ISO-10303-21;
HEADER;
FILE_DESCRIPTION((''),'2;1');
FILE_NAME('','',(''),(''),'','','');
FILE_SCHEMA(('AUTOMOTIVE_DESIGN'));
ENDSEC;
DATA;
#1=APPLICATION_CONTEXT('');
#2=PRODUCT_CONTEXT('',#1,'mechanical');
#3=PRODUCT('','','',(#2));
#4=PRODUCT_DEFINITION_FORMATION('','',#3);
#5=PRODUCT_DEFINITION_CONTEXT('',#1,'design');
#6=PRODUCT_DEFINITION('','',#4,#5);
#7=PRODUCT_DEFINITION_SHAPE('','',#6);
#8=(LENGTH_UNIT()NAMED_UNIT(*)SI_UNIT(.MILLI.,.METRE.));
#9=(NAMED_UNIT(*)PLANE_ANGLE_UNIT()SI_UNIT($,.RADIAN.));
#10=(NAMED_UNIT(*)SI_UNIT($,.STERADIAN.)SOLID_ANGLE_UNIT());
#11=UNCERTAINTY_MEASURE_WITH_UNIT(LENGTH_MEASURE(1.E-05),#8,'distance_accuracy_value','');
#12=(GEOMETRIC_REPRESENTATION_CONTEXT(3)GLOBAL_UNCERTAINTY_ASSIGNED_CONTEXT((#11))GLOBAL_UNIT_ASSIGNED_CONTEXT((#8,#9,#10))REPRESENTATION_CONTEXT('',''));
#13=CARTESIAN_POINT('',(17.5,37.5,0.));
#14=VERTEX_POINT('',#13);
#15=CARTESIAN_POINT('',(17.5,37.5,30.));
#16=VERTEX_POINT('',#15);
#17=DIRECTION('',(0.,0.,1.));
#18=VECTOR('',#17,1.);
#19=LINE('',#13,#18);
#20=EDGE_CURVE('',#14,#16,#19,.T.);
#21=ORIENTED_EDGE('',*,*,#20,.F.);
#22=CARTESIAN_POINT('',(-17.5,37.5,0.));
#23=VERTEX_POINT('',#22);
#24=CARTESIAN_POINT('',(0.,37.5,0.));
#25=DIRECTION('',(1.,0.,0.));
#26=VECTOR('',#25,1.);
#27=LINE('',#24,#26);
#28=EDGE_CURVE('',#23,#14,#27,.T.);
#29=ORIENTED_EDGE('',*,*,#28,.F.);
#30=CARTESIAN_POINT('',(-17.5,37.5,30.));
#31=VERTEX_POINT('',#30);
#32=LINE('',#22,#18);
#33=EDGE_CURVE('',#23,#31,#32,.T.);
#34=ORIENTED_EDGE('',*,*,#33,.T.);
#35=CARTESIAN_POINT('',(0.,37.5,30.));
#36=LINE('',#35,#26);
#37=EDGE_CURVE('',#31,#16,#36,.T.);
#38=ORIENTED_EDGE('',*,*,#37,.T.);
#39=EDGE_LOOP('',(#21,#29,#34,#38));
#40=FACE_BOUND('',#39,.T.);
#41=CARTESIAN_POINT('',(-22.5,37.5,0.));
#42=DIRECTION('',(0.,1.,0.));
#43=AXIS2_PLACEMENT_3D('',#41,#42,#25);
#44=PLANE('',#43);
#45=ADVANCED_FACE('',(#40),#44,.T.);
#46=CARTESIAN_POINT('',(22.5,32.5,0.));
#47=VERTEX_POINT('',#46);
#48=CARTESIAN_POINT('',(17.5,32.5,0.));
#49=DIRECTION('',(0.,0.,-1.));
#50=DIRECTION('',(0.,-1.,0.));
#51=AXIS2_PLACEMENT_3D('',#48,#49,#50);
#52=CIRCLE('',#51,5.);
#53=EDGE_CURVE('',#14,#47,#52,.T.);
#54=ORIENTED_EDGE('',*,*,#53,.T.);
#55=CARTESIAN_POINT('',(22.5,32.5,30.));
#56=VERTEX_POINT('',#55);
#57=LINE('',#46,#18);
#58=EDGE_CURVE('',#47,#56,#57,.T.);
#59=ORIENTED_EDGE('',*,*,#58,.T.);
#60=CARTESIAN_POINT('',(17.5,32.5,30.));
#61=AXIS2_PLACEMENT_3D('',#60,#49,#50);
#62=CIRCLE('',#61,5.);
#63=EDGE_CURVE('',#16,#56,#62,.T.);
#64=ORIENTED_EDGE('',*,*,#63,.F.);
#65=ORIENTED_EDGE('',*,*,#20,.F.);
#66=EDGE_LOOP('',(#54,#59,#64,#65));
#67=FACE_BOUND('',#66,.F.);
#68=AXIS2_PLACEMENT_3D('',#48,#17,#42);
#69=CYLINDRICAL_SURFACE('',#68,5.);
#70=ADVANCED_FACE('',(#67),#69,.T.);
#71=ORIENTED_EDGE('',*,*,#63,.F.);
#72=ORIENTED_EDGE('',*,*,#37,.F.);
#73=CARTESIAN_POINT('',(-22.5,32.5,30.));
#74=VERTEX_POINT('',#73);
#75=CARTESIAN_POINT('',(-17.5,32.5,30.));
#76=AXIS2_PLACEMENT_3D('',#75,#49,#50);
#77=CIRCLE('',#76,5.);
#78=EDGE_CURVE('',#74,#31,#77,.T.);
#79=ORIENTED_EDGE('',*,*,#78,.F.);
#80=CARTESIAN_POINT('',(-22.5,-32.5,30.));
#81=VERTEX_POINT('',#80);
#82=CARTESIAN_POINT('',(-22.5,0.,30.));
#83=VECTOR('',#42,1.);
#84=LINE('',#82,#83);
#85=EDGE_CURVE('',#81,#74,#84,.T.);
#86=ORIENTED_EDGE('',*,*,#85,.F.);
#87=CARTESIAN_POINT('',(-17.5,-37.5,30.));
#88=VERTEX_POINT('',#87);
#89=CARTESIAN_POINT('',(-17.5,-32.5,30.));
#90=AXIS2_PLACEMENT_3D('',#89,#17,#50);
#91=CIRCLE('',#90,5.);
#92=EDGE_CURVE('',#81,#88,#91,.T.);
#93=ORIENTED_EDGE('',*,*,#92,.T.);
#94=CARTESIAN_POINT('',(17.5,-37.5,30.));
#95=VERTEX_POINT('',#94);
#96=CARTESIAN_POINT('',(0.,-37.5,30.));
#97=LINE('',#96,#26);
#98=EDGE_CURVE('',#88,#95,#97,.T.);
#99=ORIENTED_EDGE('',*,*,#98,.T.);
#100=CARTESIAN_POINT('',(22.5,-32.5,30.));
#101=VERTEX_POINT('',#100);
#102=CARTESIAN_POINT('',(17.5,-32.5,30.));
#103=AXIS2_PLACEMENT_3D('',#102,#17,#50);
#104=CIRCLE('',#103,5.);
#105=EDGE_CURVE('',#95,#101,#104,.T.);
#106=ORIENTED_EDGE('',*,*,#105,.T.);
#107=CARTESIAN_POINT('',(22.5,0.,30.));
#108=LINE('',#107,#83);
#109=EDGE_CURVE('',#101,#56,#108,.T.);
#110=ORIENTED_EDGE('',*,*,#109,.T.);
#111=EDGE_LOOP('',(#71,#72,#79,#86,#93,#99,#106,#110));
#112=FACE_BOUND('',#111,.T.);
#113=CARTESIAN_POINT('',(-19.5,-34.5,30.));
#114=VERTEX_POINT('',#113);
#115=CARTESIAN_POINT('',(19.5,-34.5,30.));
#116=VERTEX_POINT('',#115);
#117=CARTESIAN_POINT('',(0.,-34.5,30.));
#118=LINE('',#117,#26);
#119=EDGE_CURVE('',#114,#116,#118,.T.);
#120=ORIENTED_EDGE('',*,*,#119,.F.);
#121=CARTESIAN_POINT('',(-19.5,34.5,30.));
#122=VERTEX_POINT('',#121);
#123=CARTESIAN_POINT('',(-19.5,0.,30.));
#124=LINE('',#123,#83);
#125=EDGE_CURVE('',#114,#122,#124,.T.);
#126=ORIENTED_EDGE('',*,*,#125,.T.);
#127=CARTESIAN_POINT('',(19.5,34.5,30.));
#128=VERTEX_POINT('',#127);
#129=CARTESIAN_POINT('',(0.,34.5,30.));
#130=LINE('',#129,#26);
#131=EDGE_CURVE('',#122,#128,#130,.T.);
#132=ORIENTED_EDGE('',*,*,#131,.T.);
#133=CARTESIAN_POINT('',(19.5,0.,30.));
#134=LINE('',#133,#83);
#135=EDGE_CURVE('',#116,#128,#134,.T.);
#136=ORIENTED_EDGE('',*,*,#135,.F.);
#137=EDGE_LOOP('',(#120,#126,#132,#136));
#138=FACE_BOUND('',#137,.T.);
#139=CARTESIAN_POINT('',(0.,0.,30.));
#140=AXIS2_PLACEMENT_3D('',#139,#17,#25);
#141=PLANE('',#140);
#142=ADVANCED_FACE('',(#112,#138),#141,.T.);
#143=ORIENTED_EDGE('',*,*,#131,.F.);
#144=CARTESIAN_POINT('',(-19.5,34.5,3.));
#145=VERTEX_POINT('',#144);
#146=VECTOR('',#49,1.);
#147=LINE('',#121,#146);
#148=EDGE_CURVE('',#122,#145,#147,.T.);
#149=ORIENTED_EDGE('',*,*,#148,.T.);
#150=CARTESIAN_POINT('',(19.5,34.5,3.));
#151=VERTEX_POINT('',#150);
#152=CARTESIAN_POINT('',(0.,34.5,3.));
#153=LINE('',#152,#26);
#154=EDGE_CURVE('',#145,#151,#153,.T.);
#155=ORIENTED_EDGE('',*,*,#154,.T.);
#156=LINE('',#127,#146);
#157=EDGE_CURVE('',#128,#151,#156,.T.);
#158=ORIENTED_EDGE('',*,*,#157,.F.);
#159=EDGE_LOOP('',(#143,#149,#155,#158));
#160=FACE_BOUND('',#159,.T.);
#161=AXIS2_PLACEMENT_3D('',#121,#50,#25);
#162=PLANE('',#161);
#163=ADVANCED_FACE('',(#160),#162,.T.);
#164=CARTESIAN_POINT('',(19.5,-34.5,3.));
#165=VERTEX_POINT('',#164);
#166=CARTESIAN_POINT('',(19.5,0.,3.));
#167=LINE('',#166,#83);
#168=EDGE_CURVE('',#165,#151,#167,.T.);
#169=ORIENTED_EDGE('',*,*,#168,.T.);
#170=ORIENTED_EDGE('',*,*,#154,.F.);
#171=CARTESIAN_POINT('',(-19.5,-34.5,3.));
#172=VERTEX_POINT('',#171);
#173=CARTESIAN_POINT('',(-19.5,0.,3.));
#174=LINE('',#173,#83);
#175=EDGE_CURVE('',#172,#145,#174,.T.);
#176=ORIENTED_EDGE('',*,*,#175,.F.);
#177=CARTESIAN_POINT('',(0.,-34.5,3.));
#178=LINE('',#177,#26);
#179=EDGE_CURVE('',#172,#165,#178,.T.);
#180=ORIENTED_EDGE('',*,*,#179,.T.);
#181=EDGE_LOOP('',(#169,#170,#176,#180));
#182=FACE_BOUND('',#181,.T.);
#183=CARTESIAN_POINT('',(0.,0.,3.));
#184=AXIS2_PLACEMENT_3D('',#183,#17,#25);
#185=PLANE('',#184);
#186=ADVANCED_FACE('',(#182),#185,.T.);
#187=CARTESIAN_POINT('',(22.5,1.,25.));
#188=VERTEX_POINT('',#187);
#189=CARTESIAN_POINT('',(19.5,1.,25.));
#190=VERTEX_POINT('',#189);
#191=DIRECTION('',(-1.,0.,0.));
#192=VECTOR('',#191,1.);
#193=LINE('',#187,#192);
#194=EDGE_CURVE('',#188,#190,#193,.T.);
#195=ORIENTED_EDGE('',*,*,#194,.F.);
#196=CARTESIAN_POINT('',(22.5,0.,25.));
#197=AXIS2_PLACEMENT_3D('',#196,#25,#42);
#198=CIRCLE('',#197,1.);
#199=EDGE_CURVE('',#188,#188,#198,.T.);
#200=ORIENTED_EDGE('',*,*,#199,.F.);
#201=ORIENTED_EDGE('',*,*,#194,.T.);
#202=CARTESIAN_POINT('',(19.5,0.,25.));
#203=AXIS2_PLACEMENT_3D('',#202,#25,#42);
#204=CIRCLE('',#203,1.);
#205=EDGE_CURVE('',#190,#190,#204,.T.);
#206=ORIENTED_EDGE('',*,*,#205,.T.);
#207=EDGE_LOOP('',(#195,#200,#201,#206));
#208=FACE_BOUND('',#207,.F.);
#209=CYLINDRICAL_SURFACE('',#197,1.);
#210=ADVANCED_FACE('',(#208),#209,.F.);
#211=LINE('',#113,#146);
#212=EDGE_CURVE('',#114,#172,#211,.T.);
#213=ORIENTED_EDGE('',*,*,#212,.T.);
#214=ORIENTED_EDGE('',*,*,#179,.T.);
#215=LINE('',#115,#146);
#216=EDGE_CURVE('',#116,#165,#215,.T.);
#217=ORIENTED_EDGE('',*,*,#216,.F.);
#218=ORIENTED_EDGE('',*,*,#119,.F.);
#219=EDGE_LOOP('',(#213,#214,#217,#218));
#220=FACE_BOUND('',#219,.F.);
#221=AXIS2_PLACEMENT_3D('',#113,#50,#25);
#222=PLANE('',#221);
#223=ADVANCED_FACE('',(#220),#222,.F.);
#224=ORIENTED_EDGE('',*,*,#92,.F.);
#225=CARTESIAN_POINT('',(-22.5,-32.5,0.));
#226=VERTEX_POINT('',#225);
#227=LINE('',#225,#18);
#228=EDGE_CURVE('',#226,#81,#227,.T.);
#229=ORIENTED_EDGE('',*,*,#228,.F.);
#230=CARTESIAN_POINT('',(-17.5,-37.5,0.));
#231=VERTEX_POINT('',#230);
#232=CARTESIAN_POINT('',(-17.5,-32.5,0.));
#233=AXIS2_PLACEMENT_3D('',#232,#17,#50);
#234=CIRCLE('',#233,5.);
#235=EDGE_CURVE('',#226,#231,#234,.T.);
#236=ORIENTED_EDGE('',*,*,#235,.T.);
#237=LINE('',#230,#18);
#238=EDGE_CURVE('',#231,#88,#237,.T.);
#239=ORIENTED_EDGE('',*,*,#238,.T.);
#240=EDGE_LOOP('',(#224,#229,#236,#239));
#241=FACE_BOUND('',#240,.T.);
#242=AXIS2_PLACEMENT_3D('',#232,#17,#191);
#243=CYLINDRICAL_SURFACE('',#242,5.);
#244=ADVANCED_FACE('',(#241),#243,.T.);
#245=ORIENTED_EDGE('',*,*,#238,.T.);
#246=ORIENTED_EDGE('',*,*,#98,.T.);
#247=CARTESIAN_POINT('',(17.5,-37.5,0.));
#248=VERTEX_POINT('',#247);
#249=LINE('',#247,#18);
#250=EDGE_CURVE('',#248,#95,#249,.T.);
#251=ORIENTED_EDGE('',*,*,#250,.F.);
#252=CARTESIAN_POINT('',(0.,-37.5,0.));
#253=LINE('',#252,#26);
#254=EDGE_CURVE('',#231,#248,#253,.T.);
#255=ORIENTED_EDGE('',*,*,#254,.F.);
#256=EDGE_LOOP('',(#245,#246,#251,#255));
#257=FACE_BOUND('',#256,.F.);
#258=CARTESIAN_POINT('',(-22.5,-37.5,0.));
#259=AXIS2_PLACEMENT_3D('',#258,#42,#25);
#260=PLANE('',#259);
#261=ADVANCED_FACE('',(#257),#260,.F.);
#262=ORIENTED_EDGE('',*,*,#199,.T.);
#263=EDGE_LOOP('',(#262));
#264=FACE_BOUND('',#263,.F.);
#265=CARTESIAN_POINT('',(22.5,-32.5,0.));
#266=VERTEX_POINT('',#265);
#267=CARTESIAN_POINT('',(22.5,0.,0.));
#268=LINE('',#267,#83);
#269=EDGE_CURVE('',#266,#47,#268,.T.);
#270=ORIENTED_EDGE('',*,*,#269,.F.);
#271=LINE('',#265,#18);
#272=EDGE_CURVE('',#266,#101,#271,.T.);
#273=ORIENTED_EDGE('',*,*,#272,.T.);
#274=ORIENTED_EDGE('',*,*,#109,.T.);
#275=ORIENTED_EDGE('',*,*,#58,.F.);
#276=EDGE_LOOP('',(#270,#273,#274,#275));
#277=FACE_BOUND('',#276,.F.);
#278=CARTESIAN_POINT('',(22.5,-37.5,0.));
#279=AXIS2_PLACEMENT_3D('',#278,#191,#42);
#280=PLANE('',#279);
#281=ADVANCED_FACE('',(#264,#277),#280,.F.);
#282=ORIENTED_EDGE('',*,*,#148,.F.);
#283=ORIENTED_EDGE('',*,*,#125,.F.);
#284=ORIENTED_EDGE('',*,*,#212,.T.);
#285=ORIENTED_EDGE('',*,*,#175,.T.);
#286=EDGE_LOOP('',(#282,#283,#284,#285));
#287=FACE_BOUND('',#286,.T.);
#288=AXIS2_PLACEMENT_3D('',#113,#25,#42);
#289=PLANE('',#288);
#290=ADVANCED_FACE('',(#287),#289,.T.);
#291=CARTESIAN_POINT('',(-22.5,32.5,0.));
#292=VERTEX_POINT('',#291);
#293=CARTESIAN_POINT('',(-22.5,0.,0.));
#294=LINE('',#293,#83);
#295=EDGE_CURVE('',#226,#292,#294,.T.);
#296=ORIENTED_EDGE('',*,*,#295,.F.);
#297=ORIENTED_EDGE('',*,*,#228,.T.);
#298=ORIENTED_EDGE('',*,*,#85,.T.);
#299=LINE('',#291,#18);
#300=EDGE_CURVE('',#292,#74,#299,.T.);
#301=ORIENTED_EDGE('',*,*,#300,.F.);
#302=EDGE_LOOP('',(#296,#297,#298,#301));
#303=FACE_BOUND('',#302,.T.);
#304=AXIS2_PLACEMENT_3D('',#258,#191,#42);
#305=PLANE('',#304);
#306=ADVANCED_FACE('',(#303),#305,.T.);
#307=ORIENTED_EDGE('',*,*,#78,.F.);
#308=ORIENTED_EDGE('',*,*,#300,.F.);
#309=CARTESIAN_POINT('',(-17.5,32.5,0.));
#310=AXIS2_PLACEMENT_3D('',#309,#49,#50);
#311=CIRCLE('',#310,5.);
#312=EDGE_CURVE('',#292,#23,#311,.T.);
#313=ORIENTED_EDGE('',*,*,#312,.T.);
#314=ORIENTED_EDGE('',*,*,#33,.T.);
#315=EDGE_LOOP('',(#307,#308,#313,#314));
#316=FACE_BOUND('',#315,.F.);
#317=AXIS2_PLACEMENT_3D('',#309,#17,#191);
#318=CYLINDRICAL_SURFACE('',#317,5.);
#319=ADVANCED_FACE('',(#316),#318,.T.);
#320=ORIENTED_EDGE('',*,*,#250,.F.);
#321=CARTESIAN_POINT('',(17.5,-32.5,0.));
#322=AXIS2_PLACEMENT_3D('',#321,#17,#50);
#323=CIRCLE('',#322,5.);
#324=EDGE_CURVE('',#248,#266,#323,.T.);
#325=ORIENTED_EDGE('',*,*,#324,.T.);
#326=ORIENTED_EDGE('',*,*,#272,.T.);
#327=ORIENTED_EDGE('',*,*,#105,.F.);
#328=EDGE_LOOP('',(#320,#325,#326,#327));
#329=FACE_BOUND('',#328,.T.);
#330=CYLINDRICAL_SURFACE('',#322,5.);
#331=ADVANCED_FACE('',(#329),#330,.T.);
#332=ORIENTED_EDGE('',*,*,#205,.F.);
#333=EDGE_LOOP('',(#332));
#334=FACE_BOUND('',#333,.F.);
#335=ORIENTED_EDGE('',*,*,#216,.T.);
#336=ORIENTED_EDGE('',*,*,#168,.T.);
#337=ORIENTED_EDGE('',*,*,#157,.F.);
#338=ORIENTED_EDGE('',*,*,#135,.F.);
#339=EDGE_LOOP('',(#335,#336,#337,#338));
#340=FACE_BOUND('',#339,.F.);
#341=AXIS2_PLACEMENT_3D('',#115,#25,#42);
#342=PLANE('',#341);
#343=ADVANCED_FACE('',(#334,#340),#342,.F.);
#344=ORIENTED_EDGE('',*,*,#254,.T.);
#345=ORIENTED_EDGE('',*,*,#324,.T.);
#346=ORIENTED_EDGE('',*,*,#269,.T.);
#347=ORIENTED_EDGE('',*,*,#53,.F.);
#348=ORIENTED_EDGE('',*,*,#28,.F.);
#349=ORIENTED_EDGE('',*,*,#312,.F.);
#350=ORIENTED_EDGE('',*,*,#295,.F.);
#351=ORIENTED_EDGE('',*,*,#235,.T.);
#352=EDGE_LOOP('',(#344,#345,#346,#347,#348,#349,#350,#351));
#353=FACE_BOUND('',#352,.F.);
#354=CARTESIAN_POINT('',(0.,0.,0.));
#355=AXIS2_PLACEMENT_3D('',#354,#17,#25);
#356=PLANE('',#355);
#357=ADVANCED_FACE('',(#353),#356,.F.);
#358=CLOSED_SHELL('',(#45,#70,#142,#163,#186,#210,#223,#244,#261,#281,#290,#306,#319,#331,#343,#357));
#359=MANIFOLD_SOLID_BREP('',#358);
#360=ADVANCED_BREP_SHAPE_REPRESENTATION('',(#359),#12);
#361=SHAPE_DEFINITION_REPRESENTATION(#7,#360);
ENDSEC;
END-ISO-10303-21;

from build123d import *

# Parameters (mm, degrees)
F0_W     = 45
F0_H     = 75
F1_DEPTH = 30
F2_W     = 39
F2_H     = 69
F3_DEPTH = 27
F4_R     = 5
F5_R     = 1
F6_DEPTH = 3


with BuildPart() as f1:
    # F0 (on Top) → F1 (new body)
    with BuildSketch(Plane.XY):
        Rectangle(F0_W, F0_H)
    extrude(amount=F1_DEPTH)

    # F2 (on face) → F3 (cut)
    with BuildSketch(Plane.XY.offset(30)):
        Rectangle(F2_W, F2_H)
    extrude(amount=-F3_DEPTH, mode=Mode.SUBTRACT)

    # F4
    f4_edges = [f1.edges().sort_by_distance(p)[0] for p in [
        (22.5, -37.5, 15),
        (-22.5, -37.5, 15),
        (22.5, 37.5, 15),
        (-22.5, 37.5, 15),
    ]]
    fillet(f4_edges, radius=F4_R)

    # F5 (on face) → F6 (cut)
    with BuildSketch(Plane.YZ.offset(22.5)):
        with Locations((0, 25)):
            Circle(F5_R)
    extrude(amount=-F6_DEPTH, mode=Mode.SUBTRACT)


solid = f1.part
